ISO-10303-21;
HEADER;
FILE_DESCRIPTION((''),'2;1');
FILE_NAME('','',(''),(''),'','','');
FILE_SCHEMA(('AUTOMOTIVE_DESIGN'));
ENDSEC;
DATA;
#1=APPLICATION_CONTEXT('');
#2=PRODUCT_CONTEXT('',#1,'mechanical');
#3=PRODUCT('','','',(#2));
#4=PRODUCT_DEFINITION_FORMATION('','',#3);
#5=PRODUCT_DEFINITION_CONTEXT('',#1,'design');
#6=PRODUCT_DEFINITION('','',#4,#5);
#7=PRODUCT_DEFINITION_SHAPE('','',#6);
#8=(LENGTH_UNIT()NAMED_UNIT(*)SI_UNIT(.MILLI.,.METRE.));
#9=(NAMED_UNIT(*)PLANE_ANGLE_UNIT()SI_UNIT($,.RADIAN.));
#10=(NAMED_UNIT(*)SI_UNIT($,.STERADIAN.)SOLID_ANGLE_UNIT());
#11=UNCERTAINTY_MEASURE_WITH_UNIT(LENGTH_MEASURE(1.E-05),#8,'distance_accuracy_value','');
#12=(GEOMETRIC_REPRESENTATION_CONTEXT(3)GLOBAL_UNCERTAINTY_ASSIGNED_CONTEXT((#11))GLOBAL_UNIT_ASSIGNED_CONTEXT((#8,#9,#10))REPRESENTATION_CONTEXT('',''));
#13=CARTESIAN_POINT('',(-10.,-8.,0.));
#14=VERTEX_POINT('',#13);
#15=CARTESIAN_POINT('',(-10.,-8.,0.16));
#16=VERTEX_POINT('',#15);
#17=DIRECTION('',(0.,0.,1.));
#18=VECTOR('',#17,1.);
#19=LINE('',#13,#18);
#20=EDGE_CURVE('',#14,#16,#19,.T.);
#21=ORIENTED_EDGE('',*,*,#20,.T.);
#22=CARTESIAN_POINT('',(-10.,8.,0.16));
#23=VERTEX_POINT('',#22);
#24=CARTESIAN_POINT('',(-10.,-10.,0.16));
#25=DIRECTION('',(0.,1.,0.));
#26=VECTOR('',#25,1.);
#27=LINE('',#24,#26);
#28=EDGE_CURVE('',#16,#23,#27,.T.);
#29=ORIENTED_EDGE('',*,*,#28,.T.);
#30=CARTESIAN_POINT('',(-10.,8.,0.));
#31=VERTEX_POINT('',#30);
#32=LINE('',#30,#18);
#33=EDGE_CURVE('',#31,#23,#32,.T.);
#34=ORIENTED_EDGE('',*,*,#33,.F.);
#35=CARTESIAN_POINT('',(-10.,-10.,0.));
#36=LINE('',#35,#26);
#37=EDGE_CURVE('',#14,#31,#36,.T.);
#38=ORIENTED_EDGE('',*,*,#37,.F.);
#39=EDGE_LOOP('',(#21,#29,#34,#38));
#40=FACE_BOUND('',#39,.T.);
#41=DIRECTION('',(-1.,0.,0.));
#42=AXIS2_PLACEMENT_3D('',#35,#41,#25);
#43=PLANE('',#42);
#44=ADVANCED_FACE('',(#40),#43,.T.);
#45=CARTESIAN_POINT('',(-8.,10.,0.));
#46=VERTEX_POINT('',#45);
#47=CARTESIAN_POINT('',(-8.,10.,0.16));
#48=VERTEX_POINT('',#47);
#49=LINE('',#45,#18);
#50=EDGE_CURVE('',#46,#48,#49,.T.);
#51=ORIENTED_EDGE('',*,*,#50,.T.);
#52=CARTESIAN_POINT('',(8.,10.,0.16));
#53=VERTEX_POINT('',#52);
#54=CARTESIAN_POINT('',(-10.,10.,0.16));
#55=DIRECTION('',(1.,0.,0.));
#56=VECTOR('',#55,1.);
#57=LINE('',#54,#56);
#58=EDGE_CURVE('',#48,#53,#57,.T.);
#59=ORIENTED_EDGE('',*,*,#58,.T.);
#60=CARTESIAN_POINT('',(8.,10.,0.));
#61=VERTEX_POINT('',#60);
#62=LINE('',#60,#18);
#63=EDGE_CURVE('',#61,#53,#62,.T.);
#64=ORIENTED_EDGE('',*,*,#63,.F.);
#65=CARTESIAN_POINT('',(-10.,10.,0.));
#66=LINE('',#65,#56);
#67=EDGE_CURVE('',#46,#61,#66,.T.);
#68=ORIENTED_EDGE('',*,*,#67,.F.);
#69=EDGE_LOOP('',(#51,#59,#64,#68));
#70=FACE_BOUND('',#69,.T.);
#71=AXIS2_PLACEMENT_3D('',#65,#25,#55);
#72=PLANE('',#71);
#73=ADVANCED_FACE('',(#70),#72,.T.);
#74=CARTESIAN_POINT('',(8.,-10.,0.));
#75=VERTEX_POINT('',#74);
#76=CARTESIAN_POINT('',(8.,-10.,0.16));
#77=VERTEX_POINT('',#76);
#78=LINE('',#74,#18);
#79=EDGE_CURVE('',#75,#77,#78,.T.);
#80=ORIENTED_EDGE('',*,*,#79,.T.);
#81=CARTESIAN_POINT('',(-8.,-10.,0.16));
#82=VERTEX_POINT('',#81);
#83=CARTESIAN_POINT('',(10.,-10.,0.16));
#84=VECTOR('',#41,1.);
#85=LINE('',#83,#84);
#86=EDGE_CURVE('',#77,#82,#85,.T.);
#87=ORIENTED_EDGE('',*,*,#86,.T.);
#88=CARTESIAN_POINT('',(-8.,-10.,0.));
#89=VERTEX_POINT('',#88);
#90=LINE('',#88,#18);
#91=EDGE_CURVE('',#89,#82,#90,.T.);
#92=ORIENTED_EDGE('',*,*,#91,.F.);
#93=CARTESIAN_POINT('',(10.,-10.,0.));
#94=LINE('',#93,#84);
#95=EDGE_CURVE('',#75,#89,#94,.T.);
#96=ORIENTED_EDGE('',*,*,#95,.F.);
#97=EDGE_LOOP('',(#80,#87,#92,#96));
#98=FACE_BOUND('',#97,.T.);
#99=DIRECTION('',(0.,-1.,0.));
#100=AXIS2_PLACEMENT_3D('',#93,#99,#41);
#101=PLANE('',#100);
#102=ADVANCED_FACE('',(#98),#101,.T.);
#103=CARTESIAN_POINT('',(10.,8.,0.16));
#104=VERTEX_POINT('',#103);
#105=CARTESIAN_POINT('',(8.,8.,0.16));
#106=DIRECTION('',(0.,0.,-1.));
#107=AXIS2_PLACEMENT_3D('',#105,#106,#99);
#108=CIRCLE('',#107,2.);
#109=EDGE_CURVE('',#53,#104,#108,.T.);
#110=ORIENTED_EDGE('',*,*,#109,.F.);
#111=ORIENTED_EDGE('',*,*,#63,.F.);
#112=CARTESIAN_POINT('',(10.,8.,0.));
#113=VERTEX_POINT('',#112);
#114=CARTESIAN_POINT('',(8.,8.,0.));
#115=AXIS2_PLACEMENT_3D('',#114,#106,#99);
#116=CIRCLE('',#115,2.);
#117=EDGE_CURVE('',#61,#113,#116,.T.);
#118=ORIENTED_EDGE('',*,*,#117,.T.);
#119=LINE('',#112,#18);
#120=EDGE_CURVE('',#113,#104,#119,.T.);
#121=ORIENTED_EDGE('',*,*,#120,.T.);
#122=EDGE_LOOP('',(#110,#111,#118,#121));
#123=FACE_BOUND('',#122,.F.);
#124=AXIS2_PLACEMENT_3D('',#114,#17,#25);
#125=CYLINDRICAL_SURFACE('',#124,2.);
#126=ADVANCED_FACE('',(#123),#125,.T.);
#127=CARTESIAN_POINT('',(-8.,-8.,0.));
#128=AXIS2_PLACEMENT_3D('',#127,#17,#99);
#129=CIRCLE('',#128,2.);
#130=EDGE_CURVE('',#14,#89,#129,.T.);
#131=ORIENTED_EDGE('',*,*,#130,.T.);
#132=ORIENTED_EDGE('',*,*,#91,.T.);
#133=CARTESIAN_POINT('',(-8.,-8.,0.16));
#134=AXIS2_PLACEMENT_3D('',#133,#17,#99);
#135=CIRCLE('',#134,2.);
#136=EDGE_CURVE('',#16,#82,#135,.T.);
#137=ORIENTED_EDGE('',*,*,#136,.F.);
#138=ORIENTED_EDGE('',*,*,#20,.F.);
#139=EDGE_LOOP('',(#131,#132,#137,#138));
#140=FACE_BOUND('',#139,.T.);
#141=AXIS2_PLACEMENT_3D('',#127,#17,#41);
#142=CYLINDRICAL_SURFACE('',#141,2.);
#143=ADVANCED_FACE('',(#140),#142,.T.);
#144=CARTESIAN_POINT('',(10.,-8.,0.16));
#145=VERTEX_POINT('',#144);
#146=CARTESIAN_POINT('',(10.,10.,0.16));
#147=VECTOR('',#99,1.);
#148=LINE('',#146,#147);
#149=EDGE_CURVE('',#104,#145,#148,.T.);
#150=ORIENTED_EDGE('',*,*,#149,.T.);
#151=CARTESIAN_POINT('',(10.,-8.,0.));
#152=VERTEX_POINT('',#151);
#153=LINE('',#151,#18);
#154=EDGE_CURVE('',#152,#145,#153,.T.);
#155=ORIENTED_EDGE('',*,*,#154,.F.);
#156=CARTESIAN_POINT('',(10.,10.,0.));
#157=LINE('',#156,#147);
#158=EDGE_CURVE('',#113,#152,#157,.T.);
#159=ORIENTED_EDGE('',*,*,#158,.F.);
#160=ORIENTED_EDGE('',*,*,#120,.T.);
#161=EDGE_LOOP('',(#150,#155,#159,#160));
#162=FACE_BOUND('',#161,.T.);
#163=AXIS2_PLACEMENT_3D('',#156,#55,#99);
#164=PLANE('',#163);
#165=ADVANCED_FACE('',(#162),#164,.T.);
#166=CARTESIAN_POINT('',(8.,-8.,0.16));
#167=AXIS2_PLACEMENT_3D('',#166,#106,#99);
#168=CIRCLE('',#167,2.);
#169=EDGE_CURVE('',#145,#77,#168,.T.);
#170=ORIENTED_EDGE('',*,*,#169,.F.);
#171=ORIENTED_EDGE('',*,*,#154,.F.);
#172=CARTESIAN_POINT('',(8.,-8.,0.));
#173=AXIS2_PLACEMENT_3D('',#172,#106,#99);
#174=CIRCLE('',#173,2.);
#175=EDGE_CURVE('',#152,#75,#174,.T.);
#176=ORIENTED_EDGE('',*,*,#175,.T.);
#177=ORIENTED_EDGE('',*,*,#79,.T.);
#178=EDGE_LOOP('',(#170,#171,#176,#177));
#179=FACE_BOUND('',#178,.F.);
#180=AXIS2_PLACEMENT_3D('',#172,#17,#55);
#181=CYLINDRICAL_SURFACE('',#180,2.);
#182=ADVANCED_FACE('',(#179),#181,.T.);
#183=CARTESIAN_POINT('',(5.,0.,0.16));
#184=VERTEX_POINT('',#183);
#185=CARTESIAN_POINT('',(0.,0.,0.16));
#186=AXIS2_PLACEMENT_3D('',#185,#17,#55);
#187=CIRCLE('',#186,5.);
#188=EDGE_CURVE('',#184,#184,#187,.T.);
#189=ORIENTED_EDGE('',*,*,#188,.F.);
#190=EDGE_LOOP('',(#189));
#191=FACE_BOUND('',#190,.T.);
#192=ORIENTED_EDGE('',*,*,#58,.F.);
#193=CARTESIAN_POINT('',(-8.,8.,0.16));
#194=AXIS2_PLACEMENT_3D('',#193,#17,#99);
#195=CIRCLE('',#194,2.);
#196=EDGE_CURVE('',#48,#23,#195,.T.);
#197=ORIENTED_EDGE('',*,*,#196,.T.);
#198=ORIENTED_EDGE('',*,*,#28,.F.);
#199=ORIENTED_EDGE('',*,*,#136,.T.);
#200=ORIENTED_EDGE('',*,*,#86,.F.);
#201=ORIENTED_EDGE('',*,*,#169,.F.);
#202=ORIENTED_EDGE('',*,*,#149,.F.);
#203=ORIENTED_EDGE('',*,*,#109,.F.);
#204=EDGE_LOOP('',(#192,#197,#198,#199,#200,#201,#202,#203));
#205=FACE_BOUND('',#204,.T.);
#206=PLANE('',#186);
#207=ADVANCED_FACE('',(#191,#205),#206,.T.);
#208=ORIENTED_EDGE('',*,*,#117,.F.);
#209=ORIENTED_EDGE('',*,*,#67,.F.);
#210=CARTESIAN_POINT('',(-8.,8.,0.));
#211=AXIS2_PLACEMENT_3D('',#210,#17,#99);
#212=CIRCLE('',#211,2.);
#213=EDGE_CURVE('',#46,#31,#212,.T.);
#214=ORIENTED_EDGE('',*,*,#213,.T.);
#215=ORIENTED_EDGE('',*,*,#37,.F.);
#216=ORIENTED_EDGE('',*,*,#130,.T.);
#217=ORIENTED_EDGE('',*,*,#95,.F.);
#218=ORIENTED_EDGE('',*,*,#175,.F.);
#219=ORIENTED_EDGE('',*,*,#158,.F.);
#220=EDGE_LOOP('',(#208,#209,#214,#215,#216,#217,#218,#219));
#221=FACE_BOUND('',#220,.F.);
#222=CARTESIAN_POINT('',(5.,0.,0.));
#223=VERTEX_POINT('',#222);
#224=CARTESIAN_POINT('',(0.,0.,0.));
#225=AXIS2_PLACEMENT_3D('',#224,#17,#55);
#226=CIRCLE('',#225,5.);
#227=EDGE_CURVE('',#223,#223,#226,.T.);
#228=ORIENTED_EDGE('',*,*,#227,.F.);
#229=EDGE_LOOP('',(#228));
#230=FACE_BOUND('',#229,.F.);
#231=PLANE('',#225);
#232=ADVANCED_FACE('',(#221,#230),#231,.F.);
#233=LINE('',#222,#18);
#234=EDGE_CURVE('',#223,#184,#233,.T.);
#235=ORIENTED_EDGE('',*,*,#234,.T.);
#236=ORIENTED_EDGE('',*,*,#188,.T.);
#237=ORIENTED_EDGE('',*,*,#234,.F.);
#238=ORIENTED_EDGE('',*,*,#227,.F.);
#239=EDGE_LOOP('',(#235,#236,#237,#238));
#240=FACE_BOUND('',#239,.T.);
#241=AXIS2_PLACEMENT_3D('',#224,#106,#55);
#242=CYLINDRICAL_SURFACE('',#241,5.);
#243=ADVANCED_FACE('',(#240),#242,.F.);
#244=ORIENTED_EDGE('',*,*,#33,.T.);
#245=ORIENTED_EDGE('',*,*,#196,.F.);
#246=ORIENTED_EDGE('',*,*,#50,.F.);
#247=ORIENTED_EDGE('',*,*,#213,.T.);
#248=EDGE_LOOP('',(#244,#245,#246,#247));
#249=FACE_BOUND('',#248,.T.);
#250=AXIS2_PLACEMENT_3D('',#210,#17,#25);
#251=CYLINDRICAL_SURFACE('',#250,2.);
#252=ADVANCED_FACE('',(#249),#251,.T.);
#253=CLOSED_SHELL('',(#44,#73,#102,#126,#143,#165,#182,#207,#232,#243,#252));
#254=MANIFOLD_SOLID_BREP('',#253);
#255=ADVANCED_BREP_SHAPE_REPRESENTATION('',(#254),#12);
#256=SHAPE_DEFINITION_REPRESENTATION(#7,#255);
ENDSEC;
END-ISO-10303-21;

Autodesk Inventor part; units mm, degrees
ref_plane "YZ Plane" through (0, 0, 0) normal (1, 0, 0) x (0, 1, 0)
ref_plane "XZ Plane" through (0, 0, 0) normal (0, 1, 0) x (-1, 0, 0)
ref_plane "XY Plane" through (0, 0, 0) normal (0, 0, 1) x (1, 0, 0)
sketch "スケッチ1" plane through (0, 0, 0) normal (0, 0, 1) x (1, 0, 0)
  line L0 (-10, 10) -> (10, 10)
  line L1 (10, 10) -> (10, -10)
  line L2 (10, -10) -> (-10, -10)
  line L3 (-10, -10) -> (-10, 10)
  point P0 (0, 0)
  dimension "d0" = 10
  dimension "d1" = 20
  dimension "d2" = 10
  dimension "d3" = 20
extrude "押し出し1" add sketch "スケッチ1" along normal blind 0.16
sketch "スケッチ2" plane through (0, 0, 0) normal (0, 0, 1) x (1, 0, 0)
  circle A0 centre (0, 0) radius 5
  dimension "d6" = 10
extrude "押し出し2" cut sketch "スケッチ2" along normal blind 0.16
fillet "フィレット1" radius 2 4 edges at (10, 10, 0.08) (-10, 10, 0.08) (10, -10, 0.08) (-10, -10, 0.08)
properties part number "HbSensorTape01"
